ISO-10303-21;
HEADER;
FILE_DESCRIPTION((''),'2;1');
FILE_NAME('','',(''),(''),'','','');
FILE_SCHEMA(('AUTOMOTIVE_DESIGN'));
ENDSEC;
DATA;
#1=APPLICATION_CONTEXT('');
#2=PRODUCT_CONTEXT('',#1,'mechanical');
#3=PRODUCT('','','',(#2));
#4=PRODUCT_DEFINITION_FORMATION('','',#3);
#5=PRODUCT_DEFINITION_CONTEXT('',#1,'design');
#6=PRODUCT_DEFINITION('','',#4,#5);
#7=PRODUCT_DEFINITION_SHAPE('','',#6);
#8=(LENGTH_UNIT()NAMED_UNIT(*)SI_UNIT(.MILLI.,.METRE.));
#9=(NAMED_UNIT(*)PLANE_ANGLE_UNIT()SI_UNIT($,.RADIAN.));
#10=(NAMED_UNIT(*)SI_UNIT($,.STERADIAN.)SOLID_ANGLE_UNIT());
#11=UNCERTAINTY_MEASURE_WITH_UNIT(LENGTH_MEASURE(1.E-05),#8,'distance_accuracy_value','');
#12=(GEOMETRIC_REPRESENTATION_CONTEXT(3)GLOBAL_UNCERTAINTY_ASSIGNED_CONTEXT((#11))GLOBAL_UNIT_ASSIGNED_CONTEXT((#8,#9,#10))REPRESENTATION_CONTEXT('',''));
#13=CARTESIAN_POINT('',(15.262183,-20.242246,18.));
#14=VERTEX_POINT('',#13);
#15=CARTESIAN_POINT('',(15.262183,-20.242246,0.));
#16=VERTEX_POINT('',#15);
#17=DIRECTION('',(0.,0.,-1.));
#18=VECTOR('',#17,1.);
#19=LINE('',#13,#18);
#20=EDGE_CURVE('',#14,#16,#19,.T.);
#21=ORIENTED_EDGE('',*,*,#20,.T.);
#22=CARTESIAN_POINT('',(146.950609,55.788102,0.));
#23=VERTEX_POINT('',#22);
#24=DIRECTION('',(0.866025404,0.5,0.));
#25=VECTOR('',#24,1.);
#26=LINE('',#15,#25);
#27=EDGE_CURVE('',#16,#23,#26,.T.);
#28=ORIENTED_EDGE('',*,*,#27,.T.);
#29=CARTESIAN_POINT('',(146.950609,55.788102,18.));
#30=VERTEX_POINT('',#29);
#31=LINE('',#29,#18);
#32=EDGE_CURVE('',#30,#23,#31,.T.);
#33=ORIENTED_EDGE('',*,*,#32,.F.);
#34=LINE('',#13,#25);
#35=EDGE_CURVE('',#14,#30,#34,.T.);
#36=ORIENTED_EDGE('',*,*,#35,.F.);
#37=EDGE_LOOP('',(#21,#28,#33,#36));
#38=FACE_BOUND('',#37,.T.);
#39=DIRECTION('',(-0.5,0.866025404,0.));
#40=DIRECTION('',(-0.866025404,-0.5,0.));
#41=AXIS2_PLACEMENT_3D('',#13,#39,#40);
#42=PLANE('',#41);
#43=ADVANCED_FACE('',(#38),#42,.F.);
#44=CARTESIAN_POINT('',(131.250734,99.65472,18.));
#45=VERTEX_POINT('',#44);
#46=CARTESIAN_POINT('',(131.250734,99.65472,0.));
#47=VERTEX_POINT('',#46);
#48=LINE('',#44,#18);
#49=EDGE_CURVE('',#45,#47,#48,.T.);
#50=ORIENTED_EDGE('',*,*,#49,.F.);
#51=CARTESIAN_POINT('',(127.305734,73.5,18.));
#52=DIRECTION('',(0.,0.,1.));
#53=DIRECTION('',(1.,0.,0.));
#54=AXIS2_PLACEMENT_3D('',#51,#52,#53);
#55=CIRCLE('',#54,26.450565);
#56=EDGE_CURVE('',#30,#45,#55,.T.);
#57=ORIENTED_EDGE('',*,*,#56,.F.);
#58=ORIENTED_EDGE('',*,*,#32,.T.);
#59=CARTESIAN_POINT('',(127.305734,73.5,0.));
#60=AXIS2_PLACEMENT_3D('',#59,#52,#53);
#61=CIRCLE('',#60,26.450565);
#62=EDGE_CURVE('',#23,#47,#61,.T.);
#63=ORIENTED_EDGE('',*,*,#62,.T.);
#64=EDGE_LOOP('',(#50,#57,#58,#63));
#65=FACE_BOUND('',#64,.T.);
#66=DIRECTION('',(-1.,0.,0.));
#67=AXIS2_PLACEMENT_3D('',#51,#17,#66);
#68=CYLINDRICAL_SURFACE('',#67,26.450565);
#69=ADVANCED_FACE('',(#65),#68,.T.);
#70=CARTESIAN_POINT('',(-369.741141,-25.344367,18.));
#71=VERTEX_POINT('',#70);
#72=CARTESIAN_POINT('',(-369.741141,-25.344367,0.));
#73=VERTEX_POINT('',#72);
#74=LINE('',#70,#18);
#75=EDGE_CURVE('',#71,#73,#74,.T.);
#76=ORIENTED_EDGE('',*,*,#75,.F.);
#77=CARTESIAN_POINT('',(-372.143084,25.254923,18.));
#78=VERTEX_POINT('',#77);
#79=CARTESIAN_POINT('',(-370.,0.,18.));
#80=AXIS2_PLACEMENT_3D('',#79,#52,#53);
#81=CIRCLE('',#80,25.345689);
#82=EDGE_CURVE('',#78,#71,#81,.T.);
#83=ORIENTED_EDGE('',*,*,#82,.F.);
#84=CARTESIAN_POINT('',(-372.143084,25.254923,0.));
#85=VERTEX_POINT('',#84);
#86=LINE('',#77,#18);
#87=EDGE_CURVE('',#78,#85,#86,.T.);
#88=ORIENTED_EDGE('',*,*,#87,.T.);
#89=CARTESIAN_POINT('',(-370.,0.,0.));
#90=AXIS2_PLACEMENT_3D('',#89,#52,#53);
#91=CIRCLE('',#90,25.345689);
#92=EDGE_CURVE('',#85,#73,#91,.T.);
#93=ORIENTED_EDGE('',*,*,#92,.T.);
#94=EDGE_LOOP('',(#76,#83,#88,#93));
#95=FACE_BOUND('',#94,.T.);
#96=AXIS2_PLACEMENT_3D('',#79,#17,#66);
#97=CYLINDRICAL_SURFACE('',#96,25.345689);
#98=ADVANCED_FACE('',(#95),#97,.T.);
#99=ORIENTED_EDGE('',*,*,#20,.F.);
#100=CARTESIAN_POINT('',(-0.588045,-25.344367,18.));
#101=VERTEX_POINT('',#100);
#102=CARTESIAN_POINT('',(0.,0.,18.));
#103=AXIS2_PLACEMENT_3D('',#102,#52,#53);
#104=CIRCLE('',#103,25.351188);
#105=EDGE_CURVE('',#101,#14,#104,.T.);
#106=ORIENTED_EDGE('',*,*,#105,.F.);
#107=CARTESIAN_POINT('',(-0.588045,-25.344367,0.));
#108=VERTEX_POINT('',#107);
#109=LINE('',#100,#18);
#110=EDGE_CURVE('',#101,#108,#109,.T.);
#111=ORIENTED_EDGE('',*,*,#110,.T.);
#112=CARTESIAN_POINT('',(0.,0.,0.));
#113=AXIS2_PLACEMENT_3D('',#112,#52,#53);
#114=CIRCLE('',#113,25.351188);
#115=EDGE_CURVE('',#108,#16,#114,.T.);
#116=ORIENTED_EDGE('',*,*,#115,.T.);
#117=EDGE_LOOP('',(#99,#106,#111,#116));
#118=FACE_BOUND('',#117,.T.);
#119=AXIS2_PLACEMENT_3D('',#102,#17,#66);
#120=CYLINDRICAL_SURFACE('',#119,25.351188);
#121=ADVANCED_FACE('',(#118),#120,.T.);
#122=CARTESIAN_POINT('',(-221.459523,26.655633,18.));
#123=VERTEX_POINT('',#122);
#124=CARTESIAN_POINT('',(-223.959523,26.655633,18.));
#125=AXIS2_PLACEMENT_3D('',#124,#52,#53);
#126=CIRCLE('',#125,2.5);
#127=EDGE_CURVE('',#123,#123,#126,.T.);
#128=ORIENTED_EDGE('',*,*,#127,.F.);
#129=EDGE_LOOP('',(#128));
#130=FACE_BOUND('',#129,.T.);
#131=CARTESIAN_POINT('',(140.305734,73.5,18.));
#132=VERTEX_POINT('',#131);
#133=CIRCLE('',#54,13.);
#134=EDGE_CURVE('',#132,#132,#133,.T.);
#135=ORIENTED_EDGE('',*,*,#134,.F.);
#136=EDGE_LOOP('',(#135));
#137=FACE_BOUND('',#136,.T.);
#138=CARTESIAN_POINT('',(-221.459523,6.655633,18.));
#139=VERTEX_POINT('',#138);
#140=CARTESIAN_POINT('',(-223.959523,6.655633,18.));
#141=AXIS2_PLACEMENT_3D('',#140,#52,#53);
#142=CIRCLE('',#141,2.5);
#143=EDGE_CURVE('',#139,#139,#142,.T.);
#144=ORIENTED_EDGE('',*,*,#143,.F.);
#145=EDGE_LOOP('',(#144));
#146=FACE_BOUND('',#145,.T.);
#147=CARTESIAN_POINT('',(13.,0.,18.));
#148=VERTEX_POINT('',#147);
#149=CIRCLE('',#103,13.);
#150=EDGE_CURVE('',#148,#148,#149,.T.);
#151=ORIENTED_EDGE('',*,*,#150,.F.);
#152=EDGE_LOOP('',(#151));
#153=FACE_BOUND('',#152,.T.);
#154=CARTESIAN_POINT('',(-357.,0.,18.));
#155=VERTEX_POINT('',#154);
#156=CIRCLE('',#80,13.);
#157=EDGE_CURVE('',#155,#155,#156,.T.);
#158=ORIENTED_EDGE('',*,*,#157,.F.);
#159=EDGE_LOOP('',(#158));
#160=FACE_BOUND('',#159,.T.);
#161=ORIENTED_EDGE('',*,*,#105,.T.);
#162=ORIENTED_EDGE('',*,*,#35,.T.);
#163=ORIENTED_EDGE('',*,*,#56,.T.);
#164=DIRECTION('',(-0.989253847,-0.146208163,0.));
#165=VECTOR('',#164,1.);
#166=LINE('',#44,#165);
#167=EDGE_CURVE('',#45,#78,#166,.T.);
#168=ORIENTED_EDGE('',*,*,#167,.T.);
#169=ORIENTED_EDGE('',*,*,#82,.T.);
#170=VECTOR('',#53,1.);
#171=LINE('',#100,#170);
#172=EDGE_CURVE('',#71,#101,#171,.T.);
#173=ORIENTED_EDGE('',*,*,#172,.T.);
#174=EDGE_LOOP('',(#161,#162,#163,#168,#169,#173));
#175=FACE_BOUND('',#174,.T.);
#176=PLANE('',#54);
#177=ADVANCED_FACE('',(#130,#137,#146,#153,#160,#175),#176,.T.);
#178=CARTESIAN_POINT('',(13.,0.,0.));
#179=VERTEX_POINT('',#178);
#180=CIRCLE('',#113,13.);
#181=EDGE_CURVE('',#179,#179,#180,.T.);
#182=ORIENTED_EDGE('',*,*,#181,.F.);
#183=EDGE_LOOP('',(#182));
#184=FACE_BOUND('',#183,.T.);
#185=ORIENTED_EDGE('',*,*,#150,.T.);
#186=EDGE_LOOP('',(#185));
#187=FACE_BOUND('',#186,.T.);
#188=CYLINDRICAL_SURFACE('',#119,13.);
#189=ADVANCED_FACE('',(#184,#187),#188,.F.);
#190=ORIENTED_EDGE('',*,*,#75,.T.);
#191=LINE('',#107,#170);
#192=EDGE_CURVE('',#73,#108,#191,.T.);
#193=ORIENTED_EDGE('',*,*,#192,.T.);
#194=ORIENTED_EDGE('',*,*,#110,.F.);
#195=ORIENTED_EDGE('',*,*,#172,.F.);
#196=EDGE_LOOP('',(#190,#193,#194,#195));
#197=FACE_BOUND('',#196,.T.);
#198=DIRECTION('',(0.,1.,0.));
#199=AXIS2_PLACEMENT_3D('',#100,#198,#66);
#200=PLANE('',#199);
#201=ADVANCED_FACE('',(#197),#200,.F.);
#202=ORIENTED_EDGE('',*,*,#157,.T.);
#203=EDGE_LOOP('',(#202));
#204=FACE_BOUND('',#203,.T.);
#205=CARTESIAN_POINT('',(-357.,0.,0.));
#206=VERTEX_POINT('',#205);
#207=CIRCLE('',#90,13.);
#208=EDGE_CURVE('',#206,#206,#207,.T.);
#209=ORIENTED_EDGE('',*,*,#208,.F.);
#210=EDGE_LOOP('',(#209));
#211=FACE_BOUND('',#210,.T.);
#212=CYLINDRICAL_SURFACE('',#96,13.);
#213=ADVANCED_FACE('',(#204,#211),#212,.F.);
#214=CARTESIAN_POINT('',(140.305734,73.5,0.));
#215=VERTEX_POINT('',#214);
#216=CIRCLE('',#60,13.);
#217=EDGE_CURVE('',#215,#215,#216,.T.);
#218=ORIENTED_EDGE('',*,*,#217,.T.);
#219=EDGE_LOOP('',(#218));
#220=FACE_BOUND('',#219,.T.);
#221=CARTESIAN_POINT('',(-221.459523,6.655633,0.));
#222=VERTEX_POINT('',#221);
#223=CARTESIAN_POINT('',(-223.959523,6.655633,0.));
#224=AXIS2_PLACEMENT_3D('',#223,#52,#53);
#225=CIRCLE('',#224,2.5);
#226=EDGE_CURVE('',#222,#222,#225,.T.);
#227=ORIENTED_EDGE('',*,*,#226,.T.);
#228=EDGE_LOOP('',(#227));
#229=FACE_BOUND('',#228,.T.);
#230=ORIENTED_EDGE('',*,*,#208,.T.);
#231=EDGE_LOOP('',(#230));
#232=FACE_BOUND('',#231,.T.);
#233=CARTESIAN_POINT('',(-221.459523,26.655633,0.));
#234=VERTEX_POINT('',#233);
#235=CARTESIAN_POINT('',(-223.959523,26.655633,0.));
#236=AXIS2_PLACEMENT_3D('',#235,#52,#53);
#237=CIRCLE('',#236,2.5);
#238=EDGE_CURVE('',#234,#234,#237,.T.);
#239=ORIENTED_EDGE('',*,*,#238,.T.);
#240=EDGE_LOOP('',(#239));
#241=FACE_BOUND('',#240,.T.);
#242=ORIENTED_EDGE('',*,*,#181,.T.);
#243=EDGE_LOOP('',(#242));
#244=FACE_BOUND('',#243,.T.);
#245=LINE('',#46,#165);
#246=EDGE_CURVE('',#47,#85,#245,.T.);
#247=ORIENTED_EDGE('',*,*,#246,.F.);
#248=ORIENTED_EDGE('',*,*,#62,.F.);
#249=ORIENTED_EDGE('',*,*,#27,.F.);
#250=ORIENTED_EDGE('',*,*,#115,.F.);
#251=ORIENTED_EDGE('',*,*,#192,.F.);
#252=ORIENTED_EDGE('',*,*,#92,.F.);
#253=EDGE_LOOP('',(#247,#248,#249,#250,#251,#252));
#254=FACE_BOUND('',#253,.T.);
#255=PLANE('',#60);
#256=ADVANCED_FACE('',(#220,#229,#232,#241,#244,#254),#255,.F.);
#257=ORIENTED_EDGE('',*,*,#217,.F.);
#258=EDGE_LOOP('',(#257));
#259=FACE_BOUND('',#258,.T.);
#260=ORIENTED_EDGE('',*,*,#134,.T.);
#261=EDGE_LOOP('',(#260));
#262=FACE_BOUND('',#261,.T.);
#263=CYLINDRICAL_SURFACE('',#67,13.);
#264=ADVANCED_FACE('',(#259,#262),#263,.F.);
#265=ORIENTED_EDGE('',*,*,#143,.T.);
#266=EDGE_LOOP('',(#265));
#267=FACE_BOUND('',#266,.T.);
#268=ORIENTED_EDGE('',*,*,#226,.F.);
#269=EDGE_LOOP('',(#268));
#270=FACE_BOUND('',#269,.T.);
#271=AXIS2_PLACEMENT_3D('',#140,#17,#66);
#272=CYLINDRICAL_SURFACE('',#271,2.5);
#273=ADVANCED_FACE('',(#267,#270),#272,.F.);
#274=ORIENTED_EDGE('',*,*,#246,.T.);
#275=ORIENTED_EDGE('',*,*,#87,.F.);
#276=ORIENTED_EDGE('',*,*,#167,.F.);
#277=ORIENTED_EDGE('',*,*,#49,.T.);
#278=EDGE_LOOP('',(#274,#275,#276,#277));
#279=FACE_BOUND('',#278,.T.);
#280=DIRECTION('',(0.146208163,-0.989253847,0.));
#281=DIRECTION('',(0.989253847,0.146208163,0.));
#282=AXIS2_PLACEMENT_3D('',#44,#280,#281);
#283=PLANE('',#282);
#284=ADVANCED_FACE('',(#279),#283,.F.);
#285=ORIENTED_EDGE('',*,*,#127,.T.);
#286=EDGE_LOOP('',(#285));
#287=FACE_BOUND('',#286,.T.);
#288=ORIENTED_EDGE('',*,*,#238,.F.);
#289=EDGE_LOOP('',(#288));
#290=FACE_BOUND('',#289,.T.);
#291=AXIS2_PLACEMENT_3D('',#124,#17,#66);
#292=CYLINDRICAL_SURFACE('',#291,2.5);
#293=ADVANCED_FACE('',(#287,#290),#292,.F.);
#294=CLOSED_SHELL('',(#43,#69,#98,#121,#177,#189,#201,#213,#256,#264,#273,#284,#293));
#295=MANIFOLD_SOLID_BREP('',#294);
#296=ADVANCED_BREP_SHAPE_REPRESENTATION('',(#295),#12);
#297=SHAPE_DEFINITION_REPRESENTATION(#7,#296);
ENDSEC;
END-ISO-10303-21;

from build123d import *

# Parameters (mm, degrees)
ESQUISSE1_R        = 13
ESQUISSE1_R_2      = 2.5
BOSS_EXTRU_1_DEPTH = 18


with BuildPart() as part:
    # Esquisse1 → Boss.-Extru.1 (new body)
    with BuildSketch(Plane.XY):
        with BuildLine():
            Line((131.250734203, 99.6547201), (-372.143084144, 25.254923169))
            ThreePointArc((-372.143084144, 25.254923169), (-395.317180347, -1.201804157), (-369.741140617, -25.344367141))
            Line((-369.741140617, -25.344367141), (-0.588044699, -25.344367141))
            ThreePointArc((-0.588044699, -25.344367141), (7.767914285, -24.13176848), (15.262182774, -20.242245906))
            Line((15.262182774, -20.242245906), (146.950608566, 55.788102175))
            ThreePointArc((146.950608566, 55.788102175), (152.209360228, 82.413014403), (131.250734203, 99.6547201))
        make_face()
        with Locations((-370, 0)):
            Circle(ESQUISSE1_R, mode=Mode.SUBTRACT)
        with Locations((127.305734356, 73.5)):
            Circle(ESQUISSE1_R, mode=Mode.SUBTRACT)
        Circle(ESQUISSE1_R, mode=Mode.SUBTRACT)
        with Locations((-223.959522936, 6.655632859)):
            Circle(ESQUISSE1_R_2, mode=Mode.SUBTRACT)
        with Locations((-223.959522936, 26.655632859)):
            Circle(ESQUISSE1_R_2, mode=Mode.SUBTRACT)
    extrude(amount=BOSS_EXTRU_1_DEPTH)


solid = part.part
